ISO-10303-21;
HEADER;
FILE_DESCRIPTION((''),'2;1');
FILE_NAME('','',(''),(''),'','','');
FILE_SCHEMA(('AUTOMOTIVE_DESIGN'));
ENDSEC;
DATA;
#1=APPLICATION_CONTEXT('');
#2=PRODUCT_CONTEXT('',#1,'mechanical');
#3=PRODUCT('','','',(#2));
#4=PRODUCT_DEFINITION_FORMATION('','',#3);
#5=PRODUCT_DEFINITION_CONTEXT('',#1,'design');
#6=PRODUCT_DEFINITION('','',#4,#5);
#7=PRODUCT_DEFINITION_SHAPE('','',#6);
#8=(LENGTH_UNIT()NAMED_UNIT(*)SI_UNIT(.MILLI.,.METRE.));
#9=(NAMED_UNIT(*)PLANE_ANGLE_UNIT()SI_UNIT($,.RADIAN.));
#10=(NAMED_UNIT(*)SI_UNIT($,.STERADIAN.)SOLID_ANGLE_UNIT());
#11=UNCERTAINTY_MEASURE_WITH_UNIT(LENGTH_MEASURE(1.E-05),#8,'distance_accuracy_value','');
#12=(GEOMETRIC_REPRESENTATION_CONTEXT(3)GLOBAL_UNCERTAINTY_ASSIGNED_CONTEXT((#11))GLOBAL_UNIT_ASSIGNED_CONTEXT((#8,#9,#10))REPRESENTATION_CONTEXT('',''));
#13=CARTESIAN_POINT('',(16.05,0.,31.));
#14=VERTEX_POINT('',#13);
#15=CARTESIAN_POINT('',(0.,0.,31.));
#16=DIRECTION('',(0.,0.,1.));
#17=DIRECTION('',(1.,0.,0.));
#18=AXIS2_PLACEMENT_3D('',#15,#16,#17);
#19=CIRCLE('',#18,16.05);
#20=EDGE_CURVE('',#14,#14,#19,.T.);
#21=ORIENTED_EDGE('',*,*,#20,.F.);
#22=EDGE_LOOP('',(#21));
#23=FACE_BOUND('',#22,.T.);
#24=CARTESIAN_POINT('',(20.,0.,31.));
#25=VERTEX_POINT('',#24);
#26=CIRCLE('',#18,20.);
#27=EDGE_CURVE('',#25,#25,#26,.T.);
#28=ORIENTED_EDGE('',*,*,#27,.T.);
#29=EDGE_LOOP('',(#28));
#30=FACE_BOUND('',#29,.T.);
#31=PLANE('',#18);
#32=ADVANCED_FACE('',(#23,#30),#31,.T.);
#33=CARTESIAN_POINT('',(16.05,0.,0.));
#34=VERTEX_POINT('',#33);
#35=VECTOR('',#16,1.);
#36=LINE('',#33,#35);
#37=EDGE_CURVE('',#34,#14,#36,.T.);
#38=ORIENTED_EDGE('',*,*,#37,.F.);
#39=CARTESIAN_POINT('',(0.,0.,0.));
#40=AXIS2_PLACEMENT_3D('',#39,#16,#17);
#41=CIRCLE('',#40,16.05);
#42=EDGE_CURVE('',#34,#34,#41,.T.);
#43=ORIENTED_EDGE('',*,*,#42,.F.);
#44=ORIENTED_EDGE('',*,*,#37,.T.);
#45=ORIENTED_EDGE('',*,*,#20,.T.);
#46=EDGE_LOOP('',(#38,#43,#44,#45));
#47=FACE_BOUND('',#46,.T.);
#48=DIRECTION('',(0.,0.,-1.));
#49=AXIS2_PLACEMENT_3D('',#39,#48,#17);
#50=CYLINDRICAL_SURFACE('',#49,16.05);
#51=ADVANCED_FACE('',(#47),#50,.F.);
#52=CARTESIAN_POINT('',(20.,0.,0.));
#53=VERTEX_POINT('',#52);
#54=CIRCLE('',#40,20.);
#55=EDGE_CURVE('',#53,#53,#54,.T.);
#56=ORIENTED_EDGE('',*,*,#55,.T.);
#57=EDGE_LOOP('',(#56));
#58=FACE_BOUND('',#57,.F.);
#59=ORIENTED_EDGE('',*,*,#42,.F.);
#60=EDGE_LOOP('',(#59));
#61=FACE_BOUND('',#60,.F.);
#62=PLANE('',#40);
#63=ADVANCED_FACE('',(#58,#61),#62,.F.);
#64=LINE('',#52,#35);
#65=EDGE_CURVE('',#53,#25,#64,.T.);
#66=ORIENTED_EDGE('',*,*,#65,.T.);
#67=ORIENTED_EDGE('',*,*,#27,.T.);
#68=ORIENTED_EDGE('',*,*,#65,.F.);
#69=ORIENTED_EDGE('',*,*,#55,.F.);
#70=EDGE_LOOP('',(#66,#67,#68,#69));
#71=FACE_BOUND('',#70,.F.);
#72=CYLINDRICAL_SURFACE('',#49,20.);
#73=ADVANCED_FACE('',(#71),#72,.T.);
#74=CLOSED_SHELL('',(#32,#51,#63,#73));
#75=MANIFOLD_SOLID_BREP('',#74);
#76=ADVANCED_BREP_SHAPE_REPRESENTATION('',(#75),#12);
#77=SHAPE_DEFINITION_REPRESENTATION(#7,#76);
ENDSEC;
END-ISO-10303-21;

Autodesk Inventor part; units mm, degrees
ref_plane "YZ Plane" through (0, 0, 0) normal (1, 0, 0) x (0, 1, 0)
ref_plane "XZ Plane" through (0, 0, 0) normal (0, 1, 0) x (-1, 0, 0)
ref_plane "XY Plane" through (0, 0, 0) normal (0, 0, 1) x (1, 0, 0)
sketch "스케치8" plane through (0, 0, 0) normal (0, 0, 1) x (1, 0, 0)
  circle A0 centre (0, 0) radius 16.05
  circle A1 centre (0, 0) radius 20
  dimension "d38" = 40
  dimension "d39" = 32.1
extrude "돌출3" add sketch "스케치8" along normal blind 31
properties part number "TL20240701-10120CV-010" material "S45C"
